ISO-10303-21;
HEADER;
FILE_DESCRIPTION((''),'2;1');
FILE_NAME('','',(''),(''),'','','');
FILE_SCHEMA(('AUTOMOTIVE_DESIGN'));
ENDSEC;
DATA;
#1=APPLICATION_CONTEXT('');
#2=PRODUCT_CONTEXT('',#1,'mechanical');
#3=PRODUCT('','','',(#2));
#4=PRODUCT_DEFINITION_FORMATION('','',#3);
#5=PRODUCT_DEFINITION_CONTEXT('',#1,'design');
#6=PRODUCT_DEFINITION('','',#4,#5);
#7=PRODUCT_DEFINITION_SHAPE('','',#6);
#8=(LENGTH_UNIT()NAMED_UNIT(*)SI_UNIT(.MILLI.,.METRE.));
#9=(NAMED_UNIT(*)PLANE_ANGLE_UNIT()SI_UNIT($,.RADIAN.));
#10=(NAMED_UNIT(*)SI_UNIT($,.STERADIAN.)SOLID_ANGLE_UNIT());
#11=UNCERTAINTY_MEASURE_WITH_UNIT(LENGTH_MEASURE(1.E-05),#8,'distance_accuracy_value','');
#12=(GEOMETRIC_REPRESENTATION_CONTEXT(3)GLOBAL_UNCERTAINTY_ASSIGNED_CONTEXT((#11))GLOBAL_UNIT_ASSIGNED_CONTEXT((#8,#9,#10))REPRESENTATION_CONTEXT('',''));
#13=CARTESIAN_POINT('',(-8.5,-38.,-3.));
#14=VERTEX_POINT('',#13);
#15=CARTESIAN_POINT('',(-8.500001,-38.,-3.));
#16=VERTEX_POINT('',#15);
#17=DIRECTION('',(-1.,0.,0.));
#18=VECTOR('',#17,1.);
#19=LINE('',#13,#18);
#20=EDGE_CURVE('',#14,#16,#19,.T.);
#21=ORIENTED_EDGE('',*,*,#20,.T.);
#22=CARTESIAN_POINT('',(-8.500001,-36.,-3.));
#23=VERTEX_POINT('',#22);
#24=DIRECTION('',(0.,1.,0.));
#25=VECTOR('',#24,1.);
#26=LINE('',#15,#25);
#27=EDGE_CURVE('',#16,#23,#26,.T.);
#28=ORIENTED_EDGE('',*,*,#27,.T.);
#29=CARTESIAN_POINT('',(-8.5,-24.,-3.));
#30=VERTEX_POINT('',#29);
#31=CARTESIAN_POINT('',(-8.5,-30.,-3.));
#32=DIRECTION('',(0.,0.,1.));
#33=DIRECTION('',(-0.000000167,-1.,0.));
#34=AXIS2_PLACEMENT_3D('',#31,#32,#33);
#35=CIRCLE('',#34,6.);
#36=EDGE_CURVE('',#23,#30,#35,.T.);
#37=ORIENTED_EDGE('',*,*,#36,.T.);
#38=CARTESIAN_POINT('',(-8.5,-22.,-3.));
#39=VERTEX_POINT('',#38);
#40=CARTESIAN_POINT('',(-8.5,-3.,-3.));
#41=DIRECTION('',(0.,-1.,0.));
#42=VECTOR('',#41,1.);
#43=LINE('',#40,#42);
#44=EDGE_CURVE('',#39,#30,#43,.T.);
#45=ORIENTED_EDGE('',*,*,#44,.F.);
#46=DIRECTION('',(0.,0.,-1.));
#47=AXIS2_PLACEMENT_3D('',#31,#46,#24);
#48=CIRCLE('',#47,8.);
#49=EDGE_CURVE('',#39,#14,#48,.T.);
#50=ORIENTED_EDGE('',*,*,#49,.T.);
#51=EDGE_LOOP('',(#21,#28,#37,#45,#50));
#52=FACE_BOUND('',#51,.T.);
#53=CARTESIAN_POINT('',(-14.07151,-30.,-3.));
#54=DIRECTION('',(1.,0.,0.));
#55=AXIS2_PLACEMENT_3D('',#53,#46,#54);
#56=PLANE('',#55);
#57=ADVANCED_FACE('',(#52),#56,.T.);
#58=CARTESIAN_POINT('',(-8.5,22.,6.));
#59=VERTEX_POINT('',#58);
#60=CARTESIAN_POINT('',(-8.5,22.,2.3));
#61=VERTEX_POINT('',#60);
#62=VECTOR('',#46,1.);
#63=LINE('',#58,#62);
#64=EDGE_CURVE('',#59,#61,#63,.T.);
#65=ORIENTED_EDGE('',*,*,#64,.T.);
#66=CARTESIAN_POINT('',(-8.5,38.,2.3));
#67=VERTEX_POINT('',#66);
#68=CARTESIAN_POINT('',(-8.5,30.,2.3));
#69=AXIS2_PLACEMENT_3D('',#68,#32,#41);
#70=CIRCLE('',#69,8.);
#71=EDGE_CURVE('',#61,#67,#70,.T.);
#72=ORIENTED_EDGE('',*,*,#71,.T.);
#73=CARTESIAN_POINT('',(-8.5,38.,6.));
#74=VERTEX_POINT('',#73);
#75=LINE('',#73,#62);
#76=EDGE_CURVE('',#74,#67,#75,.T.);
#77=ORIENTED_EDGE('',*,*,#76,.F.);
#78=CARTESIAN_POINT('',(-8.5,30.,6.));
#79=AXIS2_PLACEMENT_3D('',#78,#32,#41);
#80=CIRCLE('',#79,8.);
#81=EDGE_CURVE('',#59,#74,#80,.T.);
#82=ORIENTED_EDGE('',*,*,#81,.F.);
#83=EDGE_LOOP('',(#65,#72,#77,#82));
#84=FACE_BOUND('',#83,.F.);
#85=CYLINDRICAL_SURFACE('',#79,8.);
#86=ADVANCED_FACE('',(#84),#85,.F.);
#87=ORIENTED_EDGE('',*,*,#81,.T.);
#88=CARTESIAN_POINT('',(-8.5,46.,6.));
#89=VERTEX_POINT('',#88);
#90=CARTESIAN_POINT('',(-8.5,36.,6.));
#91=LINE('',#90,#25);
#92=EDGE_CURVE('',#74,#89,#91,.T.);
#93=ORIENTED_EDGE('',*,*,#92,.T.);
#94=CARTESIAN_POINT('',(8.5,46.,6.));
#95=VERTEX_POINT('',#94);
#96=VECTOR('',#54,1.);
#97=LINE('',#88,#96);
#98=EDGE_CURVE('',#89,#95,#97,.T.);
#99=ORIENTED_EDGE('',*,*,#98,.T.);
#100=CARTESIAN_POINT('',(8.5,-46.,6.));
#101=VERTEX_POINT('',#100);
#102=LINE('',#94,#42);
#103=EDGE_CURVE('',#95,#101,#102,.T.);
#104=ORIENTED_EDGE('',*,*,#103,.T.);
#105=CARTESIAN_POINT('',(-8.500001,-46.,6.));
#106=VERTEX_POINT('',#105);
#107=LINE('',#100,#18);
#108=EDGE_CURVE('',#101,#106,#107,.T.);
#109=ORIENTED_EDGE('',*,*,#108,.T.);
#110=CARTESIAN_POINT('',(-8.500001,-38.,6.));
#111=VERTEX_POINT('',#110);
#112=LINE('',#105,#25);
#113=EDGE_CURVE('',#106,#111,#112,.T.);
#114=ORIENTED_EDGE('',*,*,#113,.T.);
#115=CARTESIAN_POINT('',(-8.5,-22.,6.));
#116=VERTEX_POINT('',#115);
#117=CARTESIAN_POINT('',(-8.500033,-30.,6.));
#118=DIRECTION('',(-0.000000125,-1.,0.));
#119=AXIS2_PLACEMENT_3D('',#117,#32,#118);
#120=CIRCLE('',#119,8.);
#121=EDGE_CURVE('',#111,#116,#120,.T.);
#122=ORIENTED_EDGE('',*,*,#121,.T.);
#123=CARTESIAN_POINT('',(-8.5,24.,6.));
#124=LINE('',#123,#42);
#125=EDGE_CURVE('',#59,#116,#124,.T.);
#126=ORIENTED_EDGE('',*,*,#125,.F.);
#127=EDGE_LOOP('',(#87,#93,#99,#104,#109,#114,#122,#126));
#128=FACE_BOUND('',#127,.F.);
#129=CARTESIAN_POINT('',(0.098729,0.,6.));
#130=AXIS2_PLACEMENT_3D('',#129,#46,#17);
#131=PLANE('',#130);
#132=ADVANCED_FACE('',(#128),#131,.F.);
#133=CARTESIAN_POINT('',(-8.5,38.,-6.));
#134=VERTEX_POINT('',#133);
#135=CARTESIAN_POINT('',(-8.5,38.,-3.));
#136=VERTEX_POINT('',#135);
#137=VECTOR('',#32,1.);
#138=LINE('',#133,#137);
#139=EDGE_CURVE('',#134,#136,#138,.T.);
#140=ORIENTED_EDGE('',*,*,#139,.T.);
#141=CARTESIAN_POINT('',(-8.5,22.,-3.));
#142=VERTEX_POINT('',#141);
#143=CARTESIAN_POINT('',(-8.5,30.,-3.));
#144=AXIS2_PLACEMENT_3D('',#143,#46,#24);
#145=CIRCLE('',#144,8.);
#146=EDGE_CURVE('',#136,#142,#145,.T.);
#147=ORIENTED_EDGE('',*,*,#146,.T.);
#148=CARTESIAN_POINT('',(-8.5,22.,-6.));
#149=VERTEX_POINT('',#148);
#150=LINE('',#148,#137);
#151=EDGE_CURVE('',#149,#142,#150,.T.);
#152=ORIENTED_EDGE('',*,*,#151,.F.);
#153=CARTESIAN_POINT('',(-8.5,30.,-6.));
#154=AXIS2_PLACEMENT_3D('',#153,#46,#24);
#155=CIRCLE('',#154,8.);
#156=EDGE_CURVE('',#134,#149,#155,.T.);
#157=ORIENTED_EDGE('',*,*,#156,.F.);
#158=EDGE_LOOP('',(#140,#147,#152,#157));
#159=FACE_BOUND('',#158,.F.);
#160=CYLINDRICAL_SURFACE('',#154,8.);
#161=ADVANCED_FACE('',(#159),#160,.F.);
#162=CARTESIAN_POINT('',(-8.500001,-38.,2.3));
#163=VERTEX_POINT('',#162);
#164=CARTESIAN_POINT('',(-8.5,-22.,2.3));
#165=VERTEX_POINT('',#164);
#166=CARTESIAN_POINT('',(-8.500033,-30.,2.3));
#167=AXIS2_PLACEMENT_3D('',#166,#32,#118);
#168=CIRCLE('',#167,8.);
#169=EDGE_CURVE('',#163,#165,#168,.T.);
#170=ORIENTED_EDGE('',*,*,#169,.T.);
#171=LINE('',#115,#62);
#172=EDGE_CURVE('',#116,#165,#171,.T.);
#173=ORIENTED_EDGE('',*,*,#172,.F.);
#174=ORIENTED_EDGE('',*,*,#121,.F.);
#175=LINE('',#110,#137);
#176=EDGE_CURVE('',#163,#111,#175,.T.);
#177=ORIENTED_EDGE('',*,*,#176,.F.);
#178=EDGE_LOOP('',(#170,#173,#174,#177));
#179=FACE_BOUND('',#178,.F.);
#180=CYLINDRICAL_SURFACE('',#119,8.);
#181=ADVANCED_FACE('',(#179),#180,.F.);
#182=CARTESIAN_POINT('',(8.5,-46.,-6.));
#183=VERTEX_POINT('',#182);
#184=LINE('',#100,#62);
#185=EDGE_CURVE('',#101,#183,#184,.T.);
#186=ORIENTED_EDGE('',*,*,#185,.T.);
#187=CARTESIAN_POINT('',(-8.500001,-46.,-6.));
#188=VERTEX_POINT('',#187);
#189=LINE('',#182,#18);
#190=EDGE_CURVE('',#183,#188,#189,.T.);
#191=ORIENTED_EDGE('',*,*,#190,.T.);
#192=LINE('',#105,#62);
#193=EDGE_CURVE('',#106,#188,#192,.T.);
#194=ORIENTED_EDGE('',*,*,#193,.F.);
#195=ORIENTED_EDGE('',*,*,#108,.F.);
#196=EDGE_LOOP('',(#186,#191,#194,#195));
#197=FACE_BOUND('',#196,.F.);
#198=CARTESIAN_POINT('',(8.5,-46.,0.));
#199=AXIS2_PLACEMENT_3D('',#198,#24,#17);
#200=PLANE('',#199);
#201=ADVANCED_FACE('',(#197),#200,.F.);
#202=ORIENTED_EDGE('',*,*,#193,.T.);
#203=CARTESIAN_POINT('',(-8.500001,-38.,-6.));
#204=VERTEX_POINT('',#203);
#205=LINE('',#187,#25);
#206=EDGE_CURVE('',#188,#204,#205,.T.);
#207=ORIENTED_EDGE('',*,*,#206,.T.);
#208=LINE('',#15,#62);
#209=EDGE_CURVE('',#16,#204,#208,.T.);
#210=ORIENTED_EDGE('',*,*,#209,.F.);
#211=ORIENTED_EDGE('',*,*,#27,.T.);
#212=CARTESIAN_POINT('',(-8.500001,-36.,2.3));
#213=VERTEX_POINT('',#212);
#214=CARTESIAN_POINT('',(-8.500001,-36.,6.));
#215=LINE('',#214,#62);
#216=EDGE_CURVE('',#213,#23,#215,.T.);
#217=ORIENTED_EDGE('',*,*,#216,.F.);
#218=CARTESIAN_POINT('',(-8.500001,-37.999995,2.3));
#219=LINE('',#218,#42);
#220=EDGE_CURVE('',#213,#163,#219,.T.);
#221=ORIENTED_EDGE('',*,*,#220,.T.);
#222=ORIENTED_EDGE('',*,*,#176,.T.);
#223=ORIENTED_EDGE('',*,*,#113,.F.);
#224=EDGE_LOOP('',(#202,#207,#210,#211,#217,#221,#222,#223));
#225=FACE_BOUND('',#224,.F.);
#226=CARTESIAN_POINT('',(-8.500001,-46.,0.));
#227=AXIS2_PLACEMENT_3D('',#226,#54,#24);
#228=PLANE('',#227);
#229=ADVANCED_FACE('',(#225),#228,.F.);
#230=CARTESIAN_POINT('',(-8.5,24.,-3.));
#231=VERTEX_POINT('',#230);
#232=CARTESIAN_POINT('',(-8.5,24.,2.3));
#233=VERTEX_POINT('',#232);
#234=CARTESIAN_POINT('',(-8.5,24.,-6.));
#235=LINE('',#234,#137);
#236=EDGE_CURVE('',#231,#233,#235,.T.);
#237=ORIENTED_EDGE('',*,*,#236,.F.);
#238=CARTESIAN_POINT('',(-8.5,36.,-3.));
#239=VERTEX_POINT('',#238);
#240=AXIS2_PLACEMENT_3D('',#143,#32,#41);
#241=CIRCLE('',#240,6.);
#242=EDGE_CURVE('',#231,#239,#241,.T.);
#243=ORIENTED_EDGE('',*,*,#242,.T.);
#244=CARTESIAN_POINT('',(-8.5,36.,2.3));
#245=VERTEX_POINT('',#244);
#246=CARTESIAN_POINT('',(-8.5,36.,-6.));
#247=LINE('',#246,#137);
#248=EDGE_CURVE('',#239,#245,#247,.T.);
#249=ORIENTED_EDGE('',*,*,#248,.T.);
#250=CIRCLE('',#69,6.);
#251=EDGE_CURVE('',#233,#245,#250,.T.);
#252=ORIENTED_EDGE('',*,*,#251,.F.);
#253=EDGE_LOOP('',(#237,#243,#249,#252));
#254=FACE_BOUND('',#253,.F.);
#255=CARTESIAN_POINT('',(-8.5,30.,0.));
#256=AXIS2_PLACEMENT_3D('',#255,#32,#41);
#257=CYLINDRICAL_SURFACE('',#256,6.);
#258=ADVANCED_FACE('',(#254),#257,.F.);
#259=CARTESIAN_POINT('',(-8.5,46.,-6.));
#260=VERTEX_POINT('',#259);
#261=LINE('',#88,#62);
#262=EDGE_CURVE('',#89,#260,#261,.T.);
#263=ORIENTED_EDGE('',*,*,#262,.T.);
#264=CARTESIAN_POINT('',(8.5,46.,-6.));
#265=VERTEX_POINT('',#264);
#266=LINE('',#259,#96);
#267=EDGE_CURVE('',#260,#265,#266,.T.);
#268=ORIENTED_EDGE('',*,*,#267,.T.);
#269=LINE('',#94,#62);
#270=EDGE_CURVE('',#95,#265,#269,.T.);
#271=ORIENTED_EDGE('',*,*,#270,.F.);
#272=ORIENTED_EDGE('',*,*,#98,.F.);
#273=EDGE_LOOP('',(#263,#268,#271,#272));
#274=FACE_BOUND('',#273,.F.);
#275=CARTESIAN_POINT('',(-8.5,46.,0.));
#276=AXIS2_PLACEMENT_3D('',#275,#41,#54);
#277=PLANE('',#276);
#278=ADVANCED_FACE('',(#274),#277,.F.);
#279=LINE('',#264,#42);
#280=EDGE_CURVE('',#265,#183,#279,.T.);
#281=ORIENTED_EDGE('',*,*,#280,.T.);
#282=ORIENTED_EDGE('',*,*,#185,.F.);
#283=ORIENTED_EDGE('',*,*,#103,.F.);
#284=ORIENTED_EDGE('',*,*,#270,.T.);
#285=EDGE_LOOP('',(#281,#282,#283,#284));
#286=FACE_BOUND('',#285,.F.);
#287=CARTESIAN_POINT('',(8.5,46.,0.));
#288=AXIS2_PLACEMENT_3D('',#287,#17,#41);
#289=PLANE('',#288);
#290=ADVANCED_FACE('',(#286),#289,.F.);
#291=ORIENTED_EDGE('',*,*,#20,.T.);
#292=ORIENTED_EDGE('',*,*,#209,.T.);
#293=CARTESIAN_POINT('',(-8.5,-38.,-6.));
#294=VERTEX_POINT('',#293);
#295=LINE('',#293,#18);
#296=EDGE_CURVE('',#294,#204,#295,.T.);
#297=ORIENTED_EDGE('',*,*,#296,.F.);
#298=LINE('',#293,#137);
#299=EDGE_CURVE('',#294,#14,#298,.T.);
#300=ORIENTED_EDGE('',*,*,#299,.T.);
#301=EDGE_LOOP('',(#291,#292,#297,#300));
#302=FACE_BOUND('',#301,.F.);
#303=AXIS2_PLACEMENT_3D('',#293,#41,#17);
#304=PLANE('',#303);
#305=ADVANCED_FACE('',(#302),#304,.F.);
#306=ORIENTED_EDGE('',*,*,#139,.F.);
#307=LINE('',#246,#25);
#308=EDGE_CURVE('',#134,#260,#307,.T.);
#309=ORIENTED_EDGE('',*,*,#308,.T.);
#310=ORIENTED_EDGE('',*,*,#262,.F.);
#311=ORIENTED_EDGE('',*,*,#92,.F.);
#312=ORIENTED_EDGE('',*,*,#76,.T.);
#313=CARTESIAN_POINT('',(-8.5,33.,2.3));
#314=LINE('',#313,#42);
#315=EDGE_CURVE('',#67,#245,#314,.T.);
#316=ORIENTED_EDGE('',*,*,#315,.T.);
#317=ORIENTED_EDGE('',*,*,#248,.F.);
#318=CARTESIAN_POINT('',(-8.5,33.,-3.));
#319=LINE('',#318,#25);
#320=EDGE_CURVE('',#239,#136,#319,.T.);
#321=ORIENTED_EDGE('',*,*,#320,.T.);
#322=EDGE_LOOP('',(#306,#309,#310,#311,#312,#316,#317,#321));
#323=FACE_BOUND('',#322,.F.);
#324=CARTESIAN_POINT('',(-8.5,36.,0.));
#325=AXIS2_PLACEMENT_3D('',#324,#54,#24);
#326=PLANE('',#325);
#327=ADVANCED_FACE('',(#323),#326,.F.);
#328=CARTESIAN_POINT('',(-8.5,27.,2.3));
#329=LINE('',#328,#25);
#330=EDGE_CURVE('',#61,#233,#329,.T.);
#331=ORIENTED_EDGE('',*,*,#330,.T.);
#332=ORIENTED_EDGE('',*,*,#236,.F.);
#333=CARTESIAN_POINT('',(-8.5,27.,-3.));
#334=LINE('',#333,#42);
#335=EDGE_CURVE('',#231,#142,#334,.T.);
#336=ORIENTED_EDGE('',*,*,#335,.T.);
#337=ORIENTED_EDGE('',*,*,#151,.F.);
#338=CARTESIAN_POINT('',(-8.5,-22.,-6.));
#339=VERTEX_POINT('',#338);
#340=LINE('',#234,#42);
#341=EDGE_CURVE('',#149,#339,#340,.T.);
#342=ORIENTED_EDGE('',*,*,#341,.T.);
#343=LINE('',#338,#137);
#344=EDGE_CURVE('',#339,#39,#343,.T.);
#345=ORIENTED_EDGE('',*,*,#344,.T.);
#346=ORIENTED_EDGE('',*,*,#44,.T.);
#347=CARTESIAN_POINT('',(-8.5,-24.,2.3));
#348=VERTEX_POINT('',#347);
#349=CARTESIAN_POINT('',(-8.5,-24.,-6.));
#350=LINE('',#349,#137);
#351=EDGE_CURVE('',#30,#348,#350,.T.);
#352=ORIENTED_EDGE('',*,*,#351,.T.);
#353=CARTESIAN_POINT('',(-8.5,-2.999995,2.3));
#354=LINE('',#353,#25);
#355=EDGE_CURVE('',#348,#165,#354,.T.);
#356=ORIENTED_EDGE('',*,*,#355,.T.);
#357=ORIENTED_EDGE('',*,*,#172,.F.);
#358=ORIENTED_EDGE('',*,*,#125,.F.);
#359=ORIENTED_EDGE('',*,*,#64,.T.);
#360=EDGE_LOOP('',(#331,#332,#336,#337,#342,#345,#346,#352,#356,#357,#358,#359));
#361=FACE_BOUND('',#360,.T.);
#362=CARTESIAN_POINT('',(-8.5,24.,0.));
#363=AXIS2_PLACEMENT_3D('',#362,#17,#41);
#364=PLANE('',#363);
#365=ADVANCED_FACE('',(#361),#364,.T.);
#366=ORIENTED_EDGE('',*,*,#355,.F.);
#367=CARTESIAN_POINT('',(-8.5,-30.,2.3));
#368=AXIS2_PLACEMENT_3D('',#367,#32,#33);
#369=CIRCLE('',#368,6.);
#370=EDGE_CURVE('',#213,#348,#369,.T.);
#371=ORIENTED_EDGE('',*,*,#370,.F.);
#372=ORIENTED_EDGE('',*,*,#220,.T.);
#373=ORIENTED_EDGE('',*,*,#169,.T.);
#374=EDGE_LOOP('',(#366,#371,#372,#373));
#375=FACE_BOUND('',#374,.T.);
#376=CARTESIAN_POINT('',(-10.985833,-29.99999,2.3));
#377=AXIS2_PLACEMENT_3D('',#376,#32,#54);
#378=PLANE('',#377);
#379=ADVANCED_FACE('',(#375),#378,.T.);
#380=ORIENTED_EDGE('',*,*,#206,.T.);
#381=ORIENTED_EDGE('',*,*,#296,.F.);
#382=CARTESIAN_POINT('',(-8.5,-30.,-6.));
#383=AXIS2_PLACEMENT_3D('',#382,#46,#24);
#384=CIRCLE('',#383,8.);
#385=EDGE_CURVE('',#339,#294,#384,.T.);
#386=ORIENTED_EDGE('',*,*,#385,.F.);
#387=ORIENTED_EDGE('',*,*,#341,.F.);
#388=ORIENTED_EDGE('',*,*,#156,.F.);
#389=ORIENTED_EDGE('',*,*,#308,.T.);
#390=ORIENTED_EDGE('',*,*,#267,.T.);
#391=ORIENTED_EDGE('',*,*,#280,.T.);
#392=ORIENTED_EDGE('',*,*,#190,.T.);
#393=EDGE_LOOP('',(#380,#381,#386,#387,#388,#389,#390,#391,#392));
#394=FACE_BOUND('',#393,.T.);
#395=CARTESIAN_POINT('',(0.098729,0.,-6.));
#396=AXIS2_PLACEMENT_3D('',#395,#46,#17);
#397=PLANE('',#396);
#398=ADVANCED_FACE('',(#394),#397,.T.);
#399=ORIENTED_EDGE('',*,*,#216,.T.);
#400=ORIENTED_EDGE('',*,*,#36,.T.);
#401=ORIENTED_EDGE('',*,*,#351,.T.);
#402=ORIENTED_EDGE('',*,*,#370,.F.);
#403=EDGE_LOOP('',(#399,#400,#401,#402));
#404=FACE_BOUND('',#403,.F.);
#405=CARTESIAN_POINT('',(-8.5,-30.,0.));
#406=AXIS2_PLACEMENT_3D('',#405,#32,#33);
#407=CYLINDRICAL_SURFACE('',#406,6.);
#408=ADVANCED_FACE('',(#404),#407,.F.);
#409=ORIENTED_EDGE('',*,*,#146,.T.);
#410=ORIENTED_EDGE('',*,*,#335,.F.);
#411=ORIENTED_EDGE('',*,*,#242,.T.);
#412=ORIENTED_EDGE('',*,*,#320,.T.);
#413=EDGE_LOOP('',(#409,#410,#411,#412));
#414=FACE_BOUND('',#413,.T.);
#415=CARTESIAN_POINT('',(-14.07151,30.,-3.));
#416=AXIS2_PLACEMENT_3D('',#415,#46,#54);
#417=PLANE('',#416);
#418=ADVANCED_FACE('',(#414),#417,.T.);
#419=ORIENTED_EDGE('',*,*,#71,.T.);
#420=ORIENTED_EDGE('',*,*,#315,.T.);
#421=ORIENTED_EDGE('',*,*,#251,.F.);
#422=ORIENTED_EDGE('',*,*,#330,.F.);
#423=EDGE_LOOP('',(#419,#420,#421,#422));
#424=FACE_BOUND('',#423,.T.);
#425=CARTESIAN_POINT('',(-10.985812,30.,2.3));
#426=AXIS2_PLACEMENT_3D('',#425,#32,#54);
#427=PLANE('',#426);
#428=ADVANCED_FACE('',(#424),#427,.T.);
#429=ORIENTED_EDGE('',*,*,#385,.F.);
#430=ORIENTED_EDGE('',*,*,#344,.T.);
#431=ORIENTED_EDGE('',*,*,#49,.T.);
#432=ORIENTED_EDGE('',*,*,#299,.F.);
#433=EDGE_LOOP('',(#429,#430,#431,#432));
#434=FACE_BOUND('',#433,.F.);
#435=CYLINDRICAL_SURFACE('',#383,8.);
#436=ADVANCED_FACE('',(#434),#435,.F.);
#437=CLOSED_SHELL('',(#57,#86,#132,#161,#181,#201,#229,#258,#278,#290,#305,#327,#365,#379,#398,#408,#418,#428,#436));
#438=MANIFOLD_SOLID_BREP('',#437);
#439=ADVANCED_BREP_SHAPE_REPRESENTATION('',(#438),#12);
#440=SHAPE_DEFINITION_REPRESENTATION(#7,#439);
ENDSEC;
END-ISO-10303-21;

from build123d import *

# Parameters (mm, degrees)
PAD_DEPTH       = 6
POCKET_DEPTH    = 3.7
POCKET001_DEPTH = 3


with BuildPart() as part:
    # Sketch → Pad (new body, symmetric)
    with BuildSketch(Plane.XY):
        with BuildLine():
            Line((-8.5, 36), (-8.5, 46))
            Line((-8.5, 46), (8.5, 46))
            Line((8.5, 46), (8.5, -46))
            Line((8.5, -46), (-8.500001, -46))
            Line((-8.500001, -46), (-8.500001, -36))
            ThreePointArc((-8.500001, -36), (-2.5, -30), (-8.5, -24))
            Line((-8.5, 24), (-8.5, -24))
            ThreePointArc((-8.5, 24), (-2.5, 30), (-8.5, 36))
        make_face()
    extrude(amount=PAD_DEPTH, both=True)

    # Sketch001 → Pocket (cut)
    with BuildSketch(Plane.XY.offset(6)):
        with BuildLine():
            ThreePointArc((-8.500034, -38), (-0.500033, -30.000017), (-8.5, -22))
            Line((-8.5, -22), (-18.5, -21.999958))
            Line((-18.5, -21.999958), (-18.5, -38))
            Line((-18.5, -38), (-8.500034, -38))
        make_face()
        with BuildLine():
            ThreePointArc((-8.5, 22), (-0.5, 30), (-8.5, 38))
            Line((-8.5, 38), (-18.5, 38))
            Line((-18.5, 38), (-18.5, 22))
            Line((-18.5, 22), (-8.5, 22))
        make_face()
    extrude(amount=-POCKET_DEPTH, mode=Mode.SUBTRACT)

    # Sketch002 → Pocket001 (cut)
    with BuildSketch(Plane(origin=(0, 0, -6), x_dir=(1, 0, 0), z_dir=(0, 0, -1))):
        with BuildLine():
            ThreePointArc((-8.5, 22), (-0.5, 30), (-8.5, 38))
            Line((-8.5, 38), (-24.5, 38))
            Line((-24.5, 38), (-24.5, 22))
            Line((-24.5, 22), (-8.5, 22))
        make_face()
        with BuildLine():
            ThreePointArc((-8.5, -38), (-0.5, -30), (-8.5, -22))
            Line((-8.5, -22), (-24.5, -22))
            Line((-24.5, -22), (-24.5, -38))
            Line((-24.5, -38), (-8.5, -38))
        make_face()
    extrude(amount=-POCKET001_DEPTH, mode=Mode.SUBTRACT)


solid = part.part
